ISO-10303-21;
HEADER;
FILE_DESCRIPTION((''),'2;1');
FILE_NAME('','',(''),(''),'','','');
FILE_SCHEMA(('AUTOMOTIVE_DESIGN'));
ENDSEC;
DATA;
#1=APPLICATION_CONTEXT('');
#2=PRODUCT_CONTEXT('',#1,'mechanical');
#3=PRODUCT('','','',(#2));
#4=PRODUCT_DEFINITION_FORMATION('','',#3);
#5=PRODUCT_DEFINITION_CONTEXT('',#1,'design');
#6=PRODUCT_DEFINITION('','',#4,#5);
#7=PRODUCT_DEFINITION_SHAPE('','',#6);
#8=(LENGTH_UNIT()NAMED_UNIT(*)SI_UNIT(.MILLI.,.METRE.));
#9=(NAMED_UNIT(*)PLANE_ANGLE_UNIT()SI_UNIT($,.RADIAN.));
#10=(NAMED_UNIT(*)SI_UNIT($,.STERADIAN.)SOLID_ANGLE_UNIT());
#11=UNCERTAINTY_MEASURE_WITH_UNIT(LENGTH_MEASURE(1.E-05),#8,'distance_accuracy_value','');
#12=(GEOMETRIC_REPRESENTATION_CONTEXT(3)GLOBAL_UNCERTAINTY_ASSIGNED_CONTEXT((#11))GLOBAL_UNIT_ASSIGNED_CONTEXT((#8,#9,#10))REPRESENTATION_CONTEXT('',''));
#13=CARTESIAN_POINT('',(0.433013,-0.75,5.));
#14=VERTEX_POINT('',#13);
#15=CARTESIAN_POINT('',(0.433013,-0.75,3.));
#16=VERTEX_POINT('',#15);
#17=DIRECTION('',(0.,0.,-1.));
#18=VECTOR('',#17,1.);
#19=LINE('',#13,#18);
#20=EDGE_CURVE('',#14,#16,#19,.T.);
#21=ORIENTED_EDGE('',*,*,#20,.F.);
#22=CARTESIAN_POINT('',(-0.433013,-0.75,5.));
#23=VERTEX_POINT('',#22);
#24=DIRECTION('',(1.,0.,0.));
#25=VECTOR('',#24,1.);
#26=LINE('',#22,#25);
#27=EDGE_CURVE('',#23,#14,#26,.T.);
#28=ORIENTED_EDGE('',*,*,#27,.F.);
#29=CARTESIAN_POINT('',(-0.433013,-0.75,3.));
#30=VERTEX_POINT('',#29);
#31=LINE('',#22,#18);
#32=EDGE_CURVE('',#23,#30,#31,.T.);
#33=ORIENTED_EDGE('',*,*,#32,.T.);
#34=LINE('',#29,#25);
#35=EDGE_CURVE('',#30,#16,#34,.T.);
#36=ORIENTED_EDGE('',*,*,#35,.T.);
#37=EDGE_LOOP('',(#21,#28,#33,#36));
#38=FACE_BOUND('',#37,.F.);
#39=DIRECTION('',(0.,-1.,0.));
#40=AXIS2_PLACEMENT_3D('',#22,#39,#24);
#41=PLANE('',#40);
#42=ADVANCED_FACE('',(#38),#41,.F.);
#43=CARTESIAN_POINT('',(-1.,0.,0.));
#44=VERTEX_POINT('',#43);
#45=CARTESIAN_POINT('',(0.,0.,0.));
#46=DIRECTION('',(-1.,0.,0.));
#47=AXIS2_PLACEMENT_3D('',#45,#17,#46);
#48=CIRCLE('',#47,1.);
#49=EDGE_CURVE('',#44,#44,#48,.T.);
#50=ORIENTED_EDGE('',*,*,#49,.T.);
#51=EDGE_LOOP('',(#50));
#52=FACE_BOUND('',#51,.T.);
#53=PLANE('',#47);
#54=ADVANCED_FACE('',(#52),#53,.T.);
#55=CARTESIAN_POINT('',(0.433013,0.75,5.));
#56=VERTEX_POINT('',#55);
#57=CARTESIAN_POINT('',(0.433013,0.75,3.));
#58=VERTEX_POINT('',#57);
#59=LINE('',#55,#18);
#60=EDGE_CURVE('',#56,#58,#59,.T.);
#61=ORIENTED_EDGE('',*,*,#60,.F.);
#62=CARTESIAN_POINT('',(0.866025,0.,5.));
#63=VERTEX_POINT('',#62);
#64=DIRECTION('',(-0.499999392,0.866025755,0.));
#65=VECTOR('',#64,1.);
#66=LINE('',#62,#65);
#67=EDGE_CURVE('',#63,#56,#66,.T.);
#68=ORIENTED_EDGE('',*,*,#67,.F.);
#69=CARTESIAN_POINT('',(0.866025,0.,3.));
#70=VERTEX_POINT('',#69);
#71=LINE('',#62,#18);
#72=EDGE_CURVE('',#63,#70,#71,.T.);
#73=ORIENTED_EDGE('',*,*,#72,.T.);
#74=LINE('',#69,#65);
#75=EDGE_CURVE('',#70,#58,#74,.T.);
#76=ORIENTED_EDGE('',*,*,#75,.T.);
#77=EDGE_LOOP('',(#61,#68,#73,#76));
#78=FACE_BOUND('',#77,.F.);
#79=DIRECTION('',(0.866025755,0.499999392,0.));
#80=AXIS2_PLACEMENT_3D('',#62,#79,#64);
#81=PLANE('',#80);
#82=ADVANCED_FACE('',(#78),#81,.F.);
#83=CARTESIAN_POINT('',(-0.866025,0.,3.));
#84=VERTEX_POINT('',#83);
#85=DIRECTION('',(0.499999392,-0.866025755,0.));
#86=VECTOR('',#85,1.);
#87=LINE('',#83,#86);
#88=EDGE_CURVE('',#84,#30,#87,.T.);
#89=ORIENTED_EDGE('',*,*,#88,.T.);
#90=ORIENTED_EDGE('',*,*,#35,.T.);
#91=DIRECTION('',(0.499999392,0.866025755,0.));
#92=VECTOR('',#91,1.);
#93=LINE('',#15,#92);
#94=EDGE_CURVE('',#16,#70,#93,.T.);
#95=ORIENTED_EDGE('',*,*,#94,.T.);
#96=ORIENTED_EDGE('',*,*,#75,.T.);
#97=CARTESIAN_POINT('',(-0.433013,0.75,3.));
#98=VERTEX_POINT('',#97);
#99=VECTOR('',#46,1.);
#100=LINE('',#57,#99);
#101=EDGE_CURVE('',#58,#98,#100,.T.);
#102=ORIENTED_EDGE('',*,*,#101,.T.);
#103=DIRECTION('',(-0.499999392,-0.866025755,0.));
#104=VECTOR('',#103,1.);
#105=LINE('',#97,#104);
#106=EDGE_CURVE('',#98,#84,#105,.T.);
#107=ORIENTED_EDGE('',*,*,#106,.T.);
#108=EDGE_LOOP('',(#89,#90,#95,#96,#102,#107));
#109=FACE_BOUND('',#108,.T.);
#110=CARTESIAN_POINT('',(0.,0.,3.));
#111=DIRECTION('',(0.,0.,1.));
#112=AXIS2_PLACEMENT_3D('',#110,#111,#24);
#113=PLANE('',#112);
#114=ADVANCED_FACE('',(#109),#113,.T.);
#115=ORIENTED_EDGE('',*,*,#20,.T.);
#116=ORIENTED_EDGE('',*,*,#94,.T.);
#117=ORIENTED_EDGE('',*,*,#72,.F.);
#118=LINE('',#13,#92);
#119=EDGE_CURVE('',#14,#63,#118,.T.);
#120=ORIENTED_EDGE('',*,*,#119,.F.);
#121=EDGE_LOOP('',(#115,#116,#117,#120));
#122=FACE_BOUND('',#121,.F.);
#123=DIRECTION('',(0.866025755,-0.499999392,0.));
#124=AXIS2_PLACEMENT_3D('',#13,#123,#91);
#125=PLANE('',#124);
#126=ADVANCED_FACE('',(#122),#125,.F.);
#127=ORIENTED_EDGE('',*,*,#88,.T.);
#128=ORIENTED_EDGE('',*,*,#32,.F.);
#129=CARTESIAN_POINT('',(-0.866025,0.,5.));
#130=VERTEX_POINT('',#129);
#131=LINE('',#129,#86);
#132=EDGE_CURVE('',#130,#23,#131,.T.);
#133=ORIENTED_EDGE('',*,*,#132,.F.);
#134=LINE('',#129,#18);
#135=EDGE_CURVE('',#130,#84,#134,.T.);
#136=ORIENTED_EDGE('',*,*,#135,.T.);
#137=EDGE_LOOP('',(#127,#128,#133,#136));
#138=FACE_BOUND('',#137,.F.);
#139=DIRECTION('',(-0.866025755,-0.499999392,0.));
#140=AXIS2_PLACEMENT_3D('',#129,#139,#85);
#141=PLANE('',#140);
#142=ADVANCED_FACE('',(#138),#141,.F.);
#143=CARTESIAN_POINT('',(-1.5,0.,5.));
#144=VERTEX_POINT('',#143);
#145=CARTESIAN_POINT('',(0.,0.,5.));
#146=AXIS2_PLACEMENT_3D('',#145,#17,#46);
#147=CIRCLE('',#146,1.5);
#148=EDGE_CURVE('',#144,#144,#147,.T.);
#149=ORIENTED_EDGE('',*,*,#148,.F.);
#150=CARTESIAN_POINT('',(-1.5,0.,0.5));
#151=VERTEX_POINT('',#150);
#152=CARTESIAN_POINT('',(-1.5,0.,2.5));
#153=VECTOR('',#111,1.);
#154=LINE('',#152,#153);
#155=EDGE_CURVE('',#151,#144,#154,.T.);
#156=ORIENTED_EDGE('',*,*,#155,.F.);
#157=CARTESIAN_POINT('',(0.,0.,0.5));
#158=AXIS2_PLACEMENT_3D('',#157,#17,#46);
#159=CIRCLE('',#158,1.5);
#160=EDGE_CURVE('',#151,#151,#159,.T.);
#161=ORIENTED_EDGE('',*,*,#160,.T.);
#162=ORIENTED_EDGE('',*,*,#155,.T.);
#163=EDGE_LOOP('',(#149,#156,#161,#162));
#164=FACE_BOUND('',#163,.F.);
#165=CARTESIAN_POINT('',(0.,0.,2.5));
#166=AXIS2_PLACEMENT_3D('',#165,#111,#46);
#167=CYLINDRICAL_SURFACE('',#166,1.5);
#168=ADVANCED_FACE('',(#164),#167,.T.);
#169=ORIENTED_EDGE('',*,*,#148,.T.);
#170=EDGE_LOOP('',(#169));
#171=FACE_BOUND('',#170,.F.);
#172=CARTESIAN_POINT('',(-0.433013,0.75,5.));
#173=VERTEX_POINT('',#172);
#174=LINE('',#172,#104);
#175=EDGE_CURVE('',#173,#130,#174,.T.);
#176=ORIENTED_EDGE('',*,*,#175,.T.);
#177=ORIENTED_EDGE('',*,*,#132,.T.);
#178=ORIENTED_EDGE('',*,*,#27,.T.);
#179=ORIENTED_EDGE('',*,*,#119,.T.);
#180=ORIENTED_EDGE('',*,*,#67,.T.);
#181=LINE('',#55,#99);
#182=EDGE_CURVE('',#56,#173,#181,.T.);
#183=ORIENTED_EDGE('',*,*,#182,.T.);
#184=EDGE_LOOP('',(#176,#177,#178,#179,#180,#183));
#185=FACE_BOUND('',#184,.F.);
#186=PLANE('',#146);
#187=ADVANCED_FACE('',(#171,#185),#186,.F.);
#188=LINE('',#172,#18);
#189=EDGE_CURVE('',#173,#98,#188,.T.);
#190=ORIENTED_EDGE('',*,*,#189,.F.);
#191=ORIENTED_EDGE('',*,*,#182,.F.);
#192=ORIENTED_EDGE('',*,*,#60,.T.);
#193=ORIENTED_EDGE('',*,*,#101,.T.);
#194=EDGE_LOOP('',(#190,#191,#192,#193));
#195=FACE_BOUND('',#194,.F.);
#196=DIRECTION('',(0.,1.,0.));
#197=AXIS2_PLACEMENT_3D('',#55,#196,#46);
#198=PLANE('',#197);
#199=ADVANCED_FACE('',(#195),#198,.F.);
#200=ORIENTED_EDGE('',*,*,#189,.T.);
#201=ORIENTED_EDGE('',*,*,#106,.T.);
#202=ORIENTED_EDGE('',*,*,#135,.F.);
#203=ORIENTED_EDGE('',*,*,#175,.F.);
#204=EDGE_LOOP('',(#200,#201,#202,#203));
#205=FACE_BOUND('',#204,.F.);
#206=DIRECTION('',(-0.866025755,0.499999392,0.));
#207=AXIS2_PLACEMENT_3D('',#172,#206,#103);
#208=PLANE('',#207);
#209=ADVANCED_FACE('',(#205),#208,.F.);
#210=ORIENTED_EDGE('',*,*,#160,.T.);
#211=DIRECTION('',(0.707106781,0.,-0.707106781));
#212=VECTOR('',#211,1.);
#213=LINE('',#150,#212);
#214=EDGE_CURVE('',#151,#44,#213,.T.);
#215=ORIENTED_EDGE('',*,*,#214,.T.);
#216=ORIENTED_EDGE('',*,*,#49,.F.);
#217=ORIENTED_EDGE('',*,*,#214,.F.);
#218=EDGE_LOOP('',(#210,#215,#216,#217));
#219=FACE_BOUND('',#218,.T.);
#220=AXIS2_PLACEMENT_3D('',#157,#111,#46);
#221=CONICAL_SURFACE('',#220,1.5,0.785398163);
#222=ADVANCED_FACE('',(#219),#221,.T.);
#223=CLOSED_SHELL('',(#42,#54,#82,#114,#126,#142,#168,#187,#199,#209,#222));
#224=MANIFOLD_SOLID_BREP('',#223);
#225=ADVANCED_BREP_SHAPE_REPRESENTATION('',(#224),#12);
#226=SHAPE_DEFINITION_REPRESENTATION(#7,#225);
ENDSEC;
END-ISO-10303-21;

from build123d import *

# Parameters (mm, degrees)
F0_W     = 1.5
F0_H     = 5
F2_SIZE  = 0.5
F4_DEPTH = 2


with BuildPart() as f1:
    # F0 (on Front) → F1 (revolve)
    with BuildSketch(Plane.XZ):
        with Locations((-0.75, 2.5)):
            Rectangle(F0_W, F0_H)
    revolve(axis=Axis((0, 0, 0.869503), (0, 0, -1)))

    # F2
    f2_edges = [f1.edges().sort_by_distance(p)[0] for p in [
        (1.5, 0, 0),
    ]]
    chamfer(f2_edges, length=F2_SIZE)

    # F3 (on face) → F4 (cut)
    with BuildSketch(Plane.XY.offset(5)):
        Polygon((-0.433013, -0.75), (0.433013, -0.75), (0.866025, 0), (0.433013, 0.75), (-0.433013, 0.75), (-0.866025, 0), align=None)
    extrude(amount=-F4_DEPTH, mode=Mode.SUBTRACT)


solid = f1.part
